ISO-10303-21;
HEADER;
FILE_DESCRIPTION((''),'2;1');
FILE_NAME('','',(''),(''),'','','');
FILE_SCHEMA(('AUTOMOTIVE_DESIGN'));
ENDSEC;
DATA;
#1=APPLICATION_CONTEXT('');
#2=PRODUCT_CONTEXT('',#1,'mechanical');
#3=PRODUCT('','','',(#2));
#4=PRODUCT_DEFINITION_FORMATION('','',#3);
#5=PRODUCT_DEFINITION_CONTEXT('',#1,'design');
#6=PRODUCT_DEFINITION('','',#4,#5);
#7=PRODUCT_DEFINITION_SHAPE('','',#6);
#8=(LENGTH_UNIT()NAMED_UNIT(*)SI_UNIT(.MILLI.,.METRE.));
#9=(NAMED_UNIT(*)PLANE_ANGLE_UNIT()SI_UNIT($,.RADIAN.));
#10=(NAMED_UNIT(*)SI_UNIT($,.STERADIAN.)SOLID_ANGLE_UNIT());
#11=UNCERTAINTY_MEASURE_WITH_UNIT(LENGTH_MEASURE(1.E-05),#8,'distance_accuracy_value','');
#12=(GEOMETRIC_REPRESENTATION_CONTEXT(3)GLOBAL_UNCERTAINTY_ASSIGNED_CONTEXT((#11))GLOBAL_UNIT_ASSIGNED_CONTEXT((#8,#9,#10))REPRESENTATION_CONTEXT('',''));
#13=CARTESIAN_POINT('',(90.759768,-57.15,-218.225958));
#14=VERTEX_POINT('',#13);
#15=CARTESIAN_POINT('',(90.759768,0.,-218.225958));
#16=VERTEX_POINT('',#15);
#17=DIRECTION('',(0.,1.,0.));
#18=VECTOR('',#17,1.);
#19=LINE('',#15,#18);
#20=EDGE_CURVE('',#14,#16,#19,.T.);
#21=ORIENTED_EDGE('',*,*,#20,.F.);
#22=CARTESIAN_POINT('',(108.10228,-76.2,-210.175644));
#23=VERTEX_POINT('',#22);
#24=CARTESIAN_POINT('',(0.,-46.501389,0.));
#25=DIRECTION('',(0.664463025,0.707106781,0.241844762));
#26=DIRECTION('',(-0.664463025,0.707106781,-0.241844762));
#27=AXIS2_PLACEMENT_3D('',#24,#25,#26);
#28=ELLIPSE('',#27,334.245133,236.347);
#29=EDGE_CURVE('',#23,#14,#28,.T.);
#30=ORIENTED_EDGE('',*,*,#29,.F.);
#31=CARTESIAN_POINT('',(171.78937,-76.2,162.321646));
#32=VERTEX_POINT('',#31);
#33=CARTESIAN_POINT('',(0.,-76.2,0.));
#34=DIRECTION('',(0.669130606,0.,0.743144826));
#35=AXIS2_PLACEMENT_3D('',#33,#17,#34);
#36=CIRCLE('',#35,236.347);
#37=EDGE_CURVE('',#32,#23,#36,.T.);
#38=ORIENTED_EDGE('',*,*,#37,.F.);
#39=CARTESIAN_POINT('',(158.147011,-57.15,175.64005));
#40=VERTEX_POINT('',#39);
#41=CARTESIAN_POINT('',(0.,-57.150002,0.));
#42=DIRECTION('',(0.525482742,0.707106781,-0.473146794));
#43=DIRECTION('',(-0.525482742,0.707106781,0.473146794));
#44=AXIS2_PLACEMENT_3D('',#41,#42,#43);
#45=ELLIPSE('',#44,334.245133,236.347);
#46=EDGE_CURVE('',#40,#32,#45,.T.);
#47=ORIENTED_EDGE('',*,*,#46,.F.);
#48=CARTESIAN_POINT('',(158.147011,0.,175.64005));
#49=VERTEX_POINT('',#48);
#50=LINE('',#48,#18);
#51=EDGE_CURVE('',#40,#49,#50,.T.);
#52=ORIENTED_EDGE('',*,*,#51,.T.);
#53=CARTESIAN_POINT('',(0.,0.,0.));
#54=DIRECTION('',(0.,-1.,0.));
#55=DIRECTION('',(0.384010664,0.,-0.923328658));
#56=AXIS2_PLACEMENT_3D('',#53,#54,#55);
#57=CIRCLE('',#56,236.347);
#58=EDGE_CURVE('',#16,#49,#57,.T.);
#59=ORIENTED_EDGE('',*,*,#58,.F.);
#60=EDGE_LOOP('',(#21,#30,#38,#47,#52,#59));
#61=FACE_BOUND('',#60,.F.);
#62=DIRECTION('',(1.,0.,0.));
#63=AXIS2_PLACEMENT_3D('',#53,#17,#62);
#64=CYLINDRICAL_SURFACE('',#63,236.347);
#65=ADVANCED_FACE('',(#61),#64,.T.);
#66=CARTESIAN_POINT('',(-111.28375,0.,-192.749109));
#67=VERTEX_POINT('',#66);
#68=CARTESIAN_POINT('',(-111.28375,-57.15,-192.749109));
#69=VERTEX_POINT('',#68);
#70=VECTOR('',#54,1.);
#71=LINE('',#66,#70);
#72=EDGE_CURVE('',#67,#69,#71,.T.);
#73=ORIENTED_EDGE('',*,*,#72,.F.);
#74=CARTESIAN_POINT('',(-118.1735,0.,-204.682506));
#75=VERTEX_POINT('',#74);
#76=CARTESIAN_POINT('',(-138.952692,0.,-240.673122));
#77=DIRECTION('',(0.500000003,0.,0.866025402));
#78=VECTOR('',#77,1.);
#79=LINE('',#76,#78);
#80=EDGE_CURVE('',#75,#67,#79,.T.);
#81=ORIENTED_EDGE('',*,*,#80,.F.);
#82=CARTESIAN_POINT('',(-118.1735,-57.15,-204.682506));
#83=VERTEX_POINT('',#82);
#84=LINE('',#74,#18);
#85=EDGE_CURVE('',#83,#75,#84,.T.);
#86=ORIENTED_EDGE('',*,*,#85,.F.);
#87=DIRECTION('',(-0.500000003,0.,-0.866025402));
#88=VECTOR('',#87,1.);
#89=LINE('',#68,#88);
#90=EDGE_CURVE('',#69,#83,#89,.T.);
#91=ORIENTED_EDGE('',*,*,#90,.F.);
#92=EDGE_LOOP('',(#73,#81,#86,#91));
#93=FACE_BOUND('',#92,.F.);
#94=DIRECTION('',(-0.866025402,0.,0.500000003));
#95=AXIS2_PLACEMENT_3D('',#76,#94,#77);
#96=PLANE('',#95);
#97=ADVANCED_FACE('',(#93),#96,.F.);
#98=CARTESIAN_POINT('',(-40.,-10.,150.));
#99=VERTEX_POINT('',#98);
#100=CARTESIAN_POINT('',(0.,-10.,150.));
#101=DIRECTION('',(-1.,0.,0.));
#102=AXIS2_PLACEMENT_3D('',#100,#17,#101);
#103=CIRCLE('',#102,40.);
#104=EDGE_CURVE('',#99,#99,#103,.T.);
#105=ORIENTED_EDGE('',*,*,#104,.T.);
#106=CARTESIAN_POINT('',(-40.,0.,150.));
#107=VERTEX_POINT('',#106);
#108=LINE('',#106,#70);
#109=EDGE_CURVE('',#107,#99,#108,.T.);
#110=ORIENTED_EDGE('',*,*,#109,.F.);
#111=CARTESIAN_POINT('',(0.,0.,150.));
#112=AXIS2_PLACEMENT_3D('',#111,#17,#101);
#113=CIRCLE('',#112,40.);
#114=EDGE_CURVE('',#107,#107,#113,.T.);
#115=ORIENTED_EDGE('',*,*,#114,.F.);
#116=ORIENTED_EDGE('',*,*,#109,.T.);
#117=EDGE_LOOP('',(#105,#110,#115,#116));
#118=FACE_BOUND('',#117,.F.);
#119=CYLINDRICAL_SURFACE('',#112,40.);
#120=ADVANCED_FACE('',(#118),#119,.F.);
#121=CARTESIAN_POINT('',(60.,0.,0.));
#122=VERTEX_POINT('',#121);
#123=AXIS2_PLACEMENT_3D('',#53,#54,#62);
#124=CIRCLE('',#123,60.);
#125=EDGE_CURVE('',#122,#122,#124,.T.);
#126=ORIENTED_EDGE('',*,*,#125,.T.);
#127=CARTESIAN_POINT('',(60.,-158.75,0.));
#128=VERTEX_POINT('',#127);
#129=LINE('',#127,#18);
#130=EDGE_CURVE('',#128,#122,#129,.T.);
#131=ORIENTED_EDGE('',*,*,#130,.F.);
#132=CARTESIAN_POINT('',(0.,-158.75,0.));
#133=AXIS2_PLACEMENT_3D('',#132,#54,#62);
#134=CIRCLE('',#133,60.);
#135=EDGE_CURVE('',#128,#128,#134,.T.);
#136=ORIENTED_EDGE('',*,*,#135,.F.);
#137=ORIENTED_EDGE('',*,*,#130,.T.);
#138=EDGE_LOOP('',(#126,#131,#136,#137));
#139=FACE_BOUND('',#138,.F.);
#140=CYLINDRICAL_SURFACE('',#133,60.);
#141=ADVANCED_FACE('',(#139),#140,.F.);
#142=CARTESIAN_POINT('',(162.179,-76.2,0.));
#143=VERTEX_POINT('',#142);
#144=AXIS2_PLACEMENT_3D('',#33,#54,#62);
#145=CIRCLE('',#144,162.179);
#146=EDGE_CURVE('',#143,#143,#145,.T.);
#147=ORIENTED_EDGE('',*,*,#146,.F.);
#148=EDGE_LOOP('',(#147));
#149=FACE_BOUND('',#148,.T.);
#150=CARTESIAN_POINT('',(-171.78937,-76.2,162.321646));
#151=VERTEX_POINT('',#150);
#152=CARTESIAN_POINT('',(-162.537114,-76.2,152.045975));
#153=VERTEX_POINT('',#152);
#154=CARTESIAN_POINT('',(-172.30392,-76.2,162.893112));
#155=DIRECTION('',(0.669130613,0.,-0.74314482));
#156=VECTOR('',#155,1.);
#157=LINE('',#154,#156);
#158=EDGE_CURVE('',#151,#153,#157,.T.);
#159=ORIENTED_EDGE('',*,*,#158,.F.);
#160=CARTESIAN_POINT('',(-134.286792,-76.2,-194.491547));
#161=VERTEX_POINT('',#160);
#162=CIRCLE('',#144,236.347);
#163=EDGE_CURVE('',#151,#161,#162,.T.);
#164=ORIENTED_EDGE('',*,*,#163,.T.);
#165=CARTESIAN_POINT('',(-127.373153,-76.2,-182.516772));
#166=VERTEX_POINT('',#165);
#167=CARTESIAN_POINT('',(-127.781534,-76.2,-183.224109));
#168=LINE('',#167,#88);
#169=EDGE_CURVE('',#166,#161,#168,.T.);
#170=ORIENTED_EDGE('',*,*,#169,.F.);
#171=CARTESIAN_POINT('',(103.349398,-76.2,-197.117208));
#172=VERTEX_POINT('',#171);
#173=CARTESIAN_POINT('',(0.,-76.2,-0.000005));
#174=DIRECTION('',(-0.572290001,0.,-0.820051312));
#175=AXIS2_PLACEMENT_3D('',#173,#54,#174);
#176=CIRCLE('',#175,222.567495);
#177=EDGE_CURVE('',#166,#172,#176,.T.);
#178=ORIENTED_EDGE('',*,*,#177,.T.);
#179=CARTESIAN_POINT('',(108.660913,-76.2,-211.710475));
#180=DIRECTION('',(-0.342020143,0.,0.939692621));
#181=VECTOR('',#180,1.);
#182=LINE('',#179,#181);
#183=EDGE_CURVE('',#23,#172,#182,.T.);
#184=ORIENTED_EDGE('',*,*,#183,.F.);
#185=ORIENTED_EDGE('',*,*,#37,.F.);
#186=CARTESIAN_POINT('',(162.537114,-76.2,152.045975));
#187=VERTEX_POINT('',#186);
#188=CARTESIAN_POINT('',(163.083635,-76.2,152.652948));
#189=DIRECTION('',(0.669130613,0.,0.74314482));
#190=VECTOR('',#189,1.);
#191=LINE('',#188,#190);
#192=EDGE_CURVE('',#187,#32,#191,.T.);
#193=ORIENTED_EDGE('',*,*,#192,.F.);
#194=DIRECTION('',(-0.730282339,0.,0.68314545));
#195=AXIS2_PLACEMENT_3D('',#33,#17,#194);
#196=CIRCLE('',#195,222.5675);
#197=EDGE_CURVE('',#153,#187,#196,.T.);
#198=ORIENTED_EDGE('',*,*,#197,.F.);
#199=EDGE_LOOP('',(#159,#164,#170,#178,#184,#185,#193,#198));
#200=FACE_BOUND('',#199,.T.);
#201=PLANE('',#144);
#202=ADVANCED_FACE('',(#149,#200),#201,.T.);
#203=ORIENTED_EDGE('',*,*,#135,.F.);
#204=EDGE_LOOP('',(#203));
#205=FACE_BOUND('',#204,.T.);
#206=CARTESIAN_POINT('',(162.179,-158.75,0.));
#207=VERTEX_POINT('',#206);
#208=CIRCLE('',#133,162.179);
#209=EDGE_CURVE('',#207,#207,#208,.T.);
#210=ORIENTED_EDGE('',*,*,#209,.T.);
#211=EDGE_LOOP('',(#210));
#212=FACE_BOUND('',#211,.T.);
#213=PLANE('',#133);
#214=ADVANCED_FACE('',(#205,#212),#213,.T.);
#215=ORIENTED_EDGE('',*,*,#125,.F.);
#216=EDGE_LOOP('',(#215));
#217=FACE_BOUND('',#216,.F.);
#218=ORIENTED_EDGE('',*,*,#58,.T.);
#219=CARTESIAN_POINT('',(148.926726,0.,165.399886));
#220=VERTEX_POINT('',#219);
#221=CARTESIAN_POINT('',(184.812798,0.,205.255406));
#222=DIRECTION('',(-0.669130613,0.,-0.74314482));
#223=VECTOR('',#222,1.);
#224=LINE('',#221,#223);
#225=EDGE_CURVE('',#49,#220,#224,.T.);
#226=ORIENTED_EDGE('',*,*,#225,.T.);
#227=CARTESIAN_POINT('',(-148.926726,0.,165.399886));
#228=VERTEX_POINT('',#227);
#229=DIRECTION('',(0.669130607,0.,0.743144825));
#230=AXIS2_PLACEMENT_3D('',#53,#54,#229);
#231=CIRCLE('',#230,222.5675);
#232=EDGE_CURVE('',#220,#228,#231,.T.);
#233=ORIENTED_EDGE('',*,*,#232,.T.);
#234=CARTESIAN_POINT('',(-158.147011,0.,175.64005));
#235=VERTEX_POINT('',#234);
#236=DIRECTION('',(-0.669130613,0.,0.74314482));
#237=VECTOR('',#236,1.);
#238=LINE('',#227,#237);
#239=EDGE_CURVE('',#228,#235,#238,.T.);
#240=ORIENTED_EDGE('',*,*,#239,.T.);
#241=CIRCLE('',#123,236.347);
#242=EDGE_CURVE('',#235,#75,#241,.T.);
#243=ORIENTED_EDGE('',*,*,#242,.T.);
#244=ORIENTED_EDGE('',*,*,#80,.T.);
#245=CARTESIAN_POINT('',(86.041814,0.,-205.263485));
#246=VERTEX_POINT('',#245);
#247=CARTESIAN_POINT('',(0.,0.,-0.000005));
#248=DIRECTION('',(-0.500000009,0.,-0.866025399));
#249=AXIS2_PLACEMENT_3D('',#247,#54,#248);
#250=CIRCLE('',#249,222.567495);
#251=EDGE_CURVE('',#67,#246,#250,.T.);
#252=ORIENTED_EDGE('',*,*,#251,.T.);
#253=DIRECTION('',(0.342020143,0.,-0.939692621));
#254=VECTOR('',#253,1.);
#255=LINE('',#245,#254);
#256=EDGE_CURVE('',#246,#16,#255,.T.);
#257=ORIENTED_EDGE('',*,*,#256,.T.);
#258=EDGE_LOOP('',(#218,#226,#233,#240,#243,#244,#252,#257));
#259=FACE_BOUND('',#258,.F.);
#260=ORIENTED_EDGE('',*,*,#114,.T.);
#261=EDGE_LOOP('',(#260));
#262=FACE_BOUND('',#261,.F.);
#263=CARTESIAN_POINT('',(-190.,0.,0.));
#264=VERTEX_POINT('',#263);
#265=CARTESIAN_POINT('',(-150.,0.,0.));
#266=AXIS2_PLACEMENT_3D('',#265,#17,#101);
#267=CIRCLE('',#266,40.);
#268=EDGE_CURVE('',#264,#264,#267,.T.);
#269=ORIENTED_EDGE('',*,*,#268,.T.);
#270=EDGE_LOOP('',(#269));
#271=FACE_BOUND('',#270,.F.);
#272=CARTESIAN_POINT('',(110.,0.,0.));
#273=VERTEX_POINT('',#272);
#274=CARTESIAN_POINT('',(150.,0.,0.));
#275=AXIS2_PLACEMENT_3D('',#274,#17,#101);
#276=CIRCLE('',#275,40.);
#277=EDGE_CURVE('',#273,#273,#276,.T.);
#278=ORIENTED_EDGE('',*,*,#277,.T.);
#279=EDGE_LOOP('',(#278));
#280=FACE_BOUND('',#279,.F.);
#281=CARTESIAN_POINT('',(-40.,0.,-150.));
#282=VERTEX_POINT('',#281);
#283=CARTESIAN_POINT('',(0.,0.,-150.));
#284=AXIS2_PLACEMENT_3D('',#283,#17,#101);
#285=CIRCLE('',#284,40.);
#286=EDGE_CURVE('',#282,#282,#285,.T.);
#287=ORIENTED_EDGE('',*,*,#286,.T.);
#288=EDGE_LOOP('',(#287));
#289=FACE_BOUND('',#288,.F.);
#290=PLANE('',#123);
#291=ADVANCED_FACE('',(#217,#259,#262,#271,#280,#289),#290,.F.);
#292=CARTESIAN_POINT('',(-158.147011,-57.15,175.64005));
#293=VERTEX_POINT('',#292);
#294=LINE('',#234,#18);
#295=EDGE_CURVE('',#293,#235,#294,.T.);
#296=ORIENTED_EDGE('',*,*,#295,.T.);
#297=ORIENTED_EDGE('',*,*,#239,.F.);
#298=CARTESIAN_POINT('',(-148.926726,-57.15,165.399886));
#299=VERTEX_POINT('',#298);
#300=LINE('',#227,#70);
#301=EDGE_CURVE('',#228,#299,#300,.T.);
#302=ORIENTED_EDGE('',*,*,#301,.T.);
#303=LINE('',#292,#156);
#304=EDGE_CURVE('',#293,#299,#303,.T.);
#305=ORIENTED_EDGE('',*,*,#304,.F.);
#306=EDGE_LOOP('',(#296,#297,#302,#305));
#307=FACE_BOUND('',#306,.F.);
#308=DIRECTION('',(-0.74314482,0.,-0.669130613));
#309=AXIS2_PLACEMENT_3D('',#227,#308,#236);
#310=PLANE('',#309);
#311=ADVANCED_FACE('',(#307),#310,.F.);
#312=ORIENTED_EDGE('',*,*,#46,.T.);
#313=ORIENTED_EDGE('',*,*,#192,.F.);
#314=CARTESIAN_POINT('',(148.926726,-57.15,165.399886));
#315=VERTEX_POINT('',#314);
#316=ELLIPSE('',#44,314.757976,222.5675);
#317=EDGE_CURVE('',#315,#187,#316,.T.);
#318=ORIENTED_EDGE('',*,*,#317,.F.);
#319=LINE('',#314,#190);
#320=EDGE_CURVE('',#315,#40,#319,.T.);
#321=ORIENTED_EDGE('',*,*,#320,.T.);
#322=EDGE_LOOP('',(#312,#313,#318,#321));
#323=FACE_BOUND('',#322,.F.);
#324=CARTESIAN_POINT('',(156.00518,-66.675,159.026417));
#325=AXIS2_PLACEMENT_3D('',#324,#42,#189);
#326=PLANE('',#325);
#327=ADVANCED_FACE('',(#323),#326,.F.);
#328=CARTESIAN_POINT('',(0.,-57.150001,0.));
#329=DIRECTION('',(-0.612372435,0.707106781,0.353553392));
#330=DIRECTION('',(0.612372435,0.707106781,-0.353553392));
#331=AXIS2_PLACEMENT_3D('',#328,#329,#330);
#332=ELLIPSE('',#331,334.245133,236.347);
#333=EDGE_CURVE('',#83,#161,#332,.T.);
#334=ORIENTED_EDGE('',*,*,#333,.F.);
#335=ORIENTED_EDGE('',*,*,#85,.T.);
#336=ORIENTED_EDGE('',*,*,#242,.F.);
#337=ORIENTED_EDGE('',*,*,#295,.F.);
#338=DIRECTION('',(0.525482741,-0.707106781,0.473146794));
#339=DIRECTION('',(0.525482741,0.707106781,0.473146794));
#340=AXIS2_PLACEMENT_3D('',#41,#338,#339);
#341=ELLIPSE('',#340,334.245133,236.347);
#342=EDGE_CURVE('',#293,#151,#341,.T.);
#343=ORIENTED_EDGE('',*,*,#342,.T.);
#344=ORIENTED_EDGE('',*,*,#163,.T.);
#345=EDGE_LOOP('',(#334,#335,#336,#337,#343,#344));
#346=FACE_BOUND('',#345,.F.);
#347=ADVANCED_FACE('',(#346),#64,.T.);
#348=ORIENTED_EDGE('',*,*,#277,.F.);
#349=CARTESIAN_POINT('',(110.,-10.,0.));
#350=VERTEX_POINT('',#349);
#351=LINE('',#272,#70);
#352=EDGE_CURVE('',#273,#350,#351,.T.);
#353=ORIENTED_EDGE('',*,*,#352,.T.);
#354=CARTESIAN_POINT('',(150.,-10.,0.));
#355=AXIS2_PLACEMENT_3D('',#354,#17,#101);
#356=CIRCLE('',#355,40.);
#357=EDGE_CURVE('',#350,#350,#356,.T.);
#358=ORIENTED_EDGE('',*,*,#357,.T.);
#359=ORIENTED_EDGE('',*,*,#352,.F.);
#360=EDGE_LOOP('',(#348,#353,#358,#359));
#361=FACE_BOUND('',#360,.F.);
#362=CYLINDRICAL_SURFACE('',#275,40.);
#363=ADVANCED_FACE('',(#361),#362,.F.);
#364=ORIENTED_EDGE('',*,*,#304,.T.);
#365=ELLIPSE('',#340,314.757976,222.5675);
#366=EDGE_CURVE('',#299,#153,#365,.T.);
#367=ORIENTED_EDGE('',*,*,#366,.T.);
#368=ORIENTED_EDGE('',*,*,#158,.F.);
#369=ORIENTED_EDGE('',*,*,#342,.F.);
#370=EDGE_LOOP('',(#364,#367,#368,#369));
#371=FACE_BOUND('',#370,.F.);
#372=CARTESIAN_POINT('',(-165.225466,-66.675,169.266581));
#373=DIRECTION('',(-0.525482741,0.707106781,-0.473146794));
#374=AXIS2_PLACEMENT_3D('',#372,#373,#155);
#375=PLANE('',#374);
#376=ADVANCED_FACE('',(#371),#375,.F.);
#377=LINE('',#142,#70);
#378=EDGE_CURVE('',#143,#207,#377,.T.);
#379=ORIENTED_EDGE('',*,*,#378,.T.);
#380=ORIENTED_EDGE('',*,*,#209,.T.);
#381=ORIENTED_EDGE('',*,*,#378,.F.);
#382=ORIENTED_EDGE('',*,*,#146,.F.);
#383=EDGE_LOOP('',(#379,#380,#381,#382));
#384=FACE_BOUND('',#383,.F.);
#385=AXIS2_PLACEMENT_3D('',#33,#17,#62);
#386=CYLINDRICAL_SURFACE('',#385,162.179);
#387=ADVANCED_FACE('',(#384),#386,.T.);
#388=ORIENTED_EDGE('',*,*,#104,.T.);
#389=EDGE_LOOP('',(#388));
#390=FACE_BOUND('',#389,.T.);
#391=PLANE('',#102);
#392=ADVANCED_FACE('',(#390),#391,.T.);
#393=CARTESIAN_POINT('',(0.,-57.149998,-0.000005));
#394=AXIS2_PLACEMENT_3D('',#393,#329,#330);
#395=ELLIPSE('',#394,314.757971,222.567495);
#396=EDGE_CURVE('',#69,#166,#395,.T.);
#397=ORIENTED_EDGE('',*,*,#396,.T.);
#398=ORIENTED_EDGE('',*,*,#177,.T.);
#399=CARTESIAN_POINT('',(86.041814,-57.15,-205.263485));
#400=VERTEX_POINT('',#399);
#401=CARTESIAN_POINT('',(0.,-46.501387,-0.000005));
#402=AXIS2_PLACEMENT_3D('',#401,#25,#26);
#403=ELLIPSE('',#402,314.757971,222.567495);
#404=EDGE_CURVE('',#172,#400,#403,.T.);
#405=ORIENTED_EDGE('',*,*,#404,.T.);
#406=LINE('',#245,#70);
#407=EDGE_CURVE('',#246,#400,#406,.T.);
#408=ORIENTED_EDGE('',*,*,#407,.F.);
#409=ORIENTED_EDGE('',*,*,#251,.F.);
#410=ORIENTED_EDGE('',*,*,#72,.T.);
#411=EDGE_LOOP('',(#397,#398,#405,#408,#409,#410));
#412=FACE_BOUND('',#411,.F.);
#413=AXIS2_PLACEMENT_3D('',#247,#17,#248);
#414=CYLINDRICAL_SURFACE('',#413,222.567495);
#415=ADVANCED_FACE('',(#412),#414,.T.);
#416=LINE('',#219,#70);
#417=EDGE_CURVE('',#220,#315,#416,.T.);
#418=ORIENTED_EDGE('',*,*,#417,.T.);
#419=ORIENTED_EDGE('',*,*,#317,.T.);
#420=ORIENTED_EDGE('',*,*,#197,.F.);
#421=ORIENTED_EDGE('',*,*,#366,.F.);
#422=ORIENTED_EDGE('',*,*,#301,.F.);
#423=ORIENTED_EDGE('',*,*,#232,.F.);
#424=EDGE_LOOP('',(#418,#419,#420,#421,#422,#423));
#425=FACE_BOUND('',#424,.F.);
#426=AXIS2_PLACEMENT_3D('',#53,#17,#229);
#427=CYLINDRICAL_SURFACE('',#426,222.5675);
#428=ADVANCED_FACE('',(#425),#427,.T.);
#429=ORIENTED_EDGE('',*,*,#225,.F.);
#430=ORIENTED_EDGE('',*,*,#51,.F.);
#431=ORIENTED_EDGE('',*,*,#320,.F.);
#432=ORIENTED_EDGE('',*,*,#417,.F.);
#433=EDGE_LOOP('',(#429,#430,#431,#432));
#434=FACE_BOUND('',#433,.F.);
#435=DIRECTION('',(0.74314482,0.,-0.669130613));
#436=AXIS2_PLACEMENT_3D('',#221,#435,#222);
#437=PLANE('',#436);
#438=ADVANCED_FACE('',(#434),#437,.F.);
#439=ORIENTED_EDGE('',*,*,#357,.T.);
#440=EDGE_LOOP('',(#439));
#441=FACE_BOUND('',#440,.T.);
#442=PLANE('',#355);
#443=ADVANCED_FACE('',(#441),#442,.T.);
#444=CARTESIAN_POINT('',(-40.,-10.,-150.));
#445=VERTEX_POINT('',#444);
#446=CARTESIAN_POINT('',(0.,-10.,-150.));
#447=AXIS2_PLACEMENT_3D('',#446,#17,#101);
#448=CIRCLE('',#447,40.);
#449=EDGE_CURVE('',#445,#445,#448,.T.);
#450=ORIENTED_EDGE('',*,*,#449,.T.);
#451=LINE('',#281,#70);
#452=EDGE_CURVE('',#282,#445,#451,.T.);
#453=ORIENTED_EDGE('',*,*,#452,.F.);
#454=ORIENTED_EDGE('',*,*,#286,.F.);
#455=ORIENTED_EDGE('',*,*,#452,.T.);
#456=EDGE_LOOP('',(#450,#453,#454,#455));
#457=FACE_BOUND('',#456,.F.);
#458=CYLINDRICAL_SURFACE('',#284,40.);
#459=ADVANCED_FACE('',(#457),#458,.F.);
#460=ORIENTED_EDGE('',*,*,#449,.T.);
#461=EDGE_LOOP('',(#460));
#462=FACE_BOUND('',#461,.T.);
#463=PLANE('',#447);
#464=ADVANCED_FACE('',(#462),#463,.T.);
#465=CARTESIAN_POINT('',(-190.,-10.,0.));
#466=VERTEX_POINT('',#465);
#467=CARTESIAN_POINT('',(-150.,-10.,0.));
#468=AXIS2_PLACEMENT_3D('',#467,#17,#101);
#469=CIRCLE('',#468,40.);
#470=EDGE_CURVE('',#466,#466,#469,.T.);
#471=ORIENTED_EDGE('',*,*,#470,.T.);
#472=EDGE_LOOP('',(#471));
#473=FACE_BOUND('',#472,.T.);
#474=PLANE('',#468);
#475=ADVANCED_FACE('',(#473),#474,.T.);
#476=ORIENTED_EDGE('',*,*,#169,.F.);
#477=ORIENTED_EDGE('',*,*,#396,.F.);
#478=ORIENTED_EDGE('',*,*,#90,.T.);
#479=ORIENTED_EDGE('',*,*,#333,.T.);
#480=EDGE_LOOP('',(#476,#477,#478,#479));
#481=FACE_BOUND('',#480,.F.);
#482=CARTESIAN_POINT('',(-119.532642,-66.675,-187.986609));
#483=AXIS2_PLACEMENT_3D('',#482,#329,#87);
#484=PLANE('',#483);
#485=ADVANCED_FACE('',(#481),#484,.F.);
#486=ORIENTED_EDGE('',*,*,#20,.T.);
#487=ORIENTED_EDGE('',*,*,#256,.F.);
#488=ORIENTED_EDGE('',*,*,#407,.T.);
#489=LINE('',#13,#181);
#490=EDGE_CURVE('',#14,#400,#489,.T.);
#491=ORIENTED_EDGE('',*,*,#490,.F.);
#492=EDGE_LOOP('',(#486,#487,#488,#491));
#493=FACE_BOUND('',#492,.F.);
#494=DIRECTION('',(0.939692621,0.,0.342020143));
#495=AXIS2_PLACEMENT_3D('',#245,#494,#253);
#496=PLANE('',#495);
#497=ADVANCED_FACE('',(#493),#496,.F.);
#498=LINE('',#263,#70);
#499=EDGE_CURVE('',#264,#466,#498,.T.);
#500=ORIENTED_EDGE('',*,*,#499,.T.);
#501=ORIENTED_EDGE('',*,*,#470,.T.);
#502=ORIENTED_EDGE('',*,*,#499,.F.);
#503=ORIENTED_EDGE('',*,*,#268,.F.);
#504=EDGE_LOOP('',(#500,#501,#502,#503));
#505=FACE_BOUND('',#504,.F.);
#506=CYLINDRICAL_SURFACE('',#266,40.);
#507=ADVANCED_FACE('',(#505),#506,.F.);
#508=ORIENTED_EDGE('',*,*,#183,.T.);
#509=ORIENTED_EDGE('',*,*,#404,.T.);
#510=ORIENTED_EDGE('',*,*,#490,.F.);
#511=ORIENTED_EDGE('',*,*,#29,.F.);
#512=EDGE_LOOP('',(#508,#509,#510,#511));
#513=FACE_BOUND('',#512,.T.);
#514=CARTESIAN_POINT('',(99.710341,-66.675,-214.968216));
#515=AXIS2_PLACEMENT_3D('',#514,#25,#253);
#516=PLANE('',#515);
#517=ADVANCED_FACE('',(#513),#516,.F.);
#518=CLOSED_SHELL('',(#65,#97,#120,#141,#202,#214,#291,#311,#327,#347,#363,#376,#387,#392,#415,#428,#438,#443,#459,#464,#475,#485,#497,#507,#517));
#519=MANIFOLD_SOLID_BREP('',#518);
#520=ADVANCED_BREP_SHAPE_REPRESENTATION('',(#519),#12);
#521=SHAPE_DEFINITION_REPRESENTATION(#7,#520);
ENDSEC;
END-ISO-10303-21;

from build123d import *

# Parameters (mm, degrees)
F0_R      = 236.347
F1_DEPTH  = 76.2
F2_R      = 162.179
F3_DEPTH  = 82.55
F5_DEPTH  = 139.7
F6_SIZE   = 19.05
F7_SIZE   = 19.05
F8_SIZE   = 19.05
F9_SIZE   = 19.05
F10_R     = 40
F11_DEPTH = 10
F12_R     = 60
F13_DEPTH = 550


with BuildPart() as f1:
    # F0 (on Front) → F1 (new body)
    with BuildSketch(Plane.XZ):
        Circle(F0_R)
    extrude(amount=F1_DEPTH)

    # F2 (on face) → F3 (join)
    with BuildSketch(Plane.XZ.offset(76.2)):
        Circle(F2_R)
    extrude(amount=F3_DEPTH)

    # F4 (on face) → F5 (cut)
    with BuildSketch(Plane(origin=(0, 0, 0), x_dir=(-1, 0, 0), z_dir=(0, 1, 0))):
        with BuildLine():
            Line((-184.812798, 205.255406), (-148.926726, 165.399886))
            ThreePointArc((-148.926726, 165.399886), (0, 222.5675), (148.926726, 165.399886))
            Line((148.926726, 165.399886), (183.385925, 203.670703))
            Line((183.385925, 203.670703), (0, 288.642466))
            Line((0, 288.642466), (-184.812798, 205.255406))
        make_face()
        with BuildLine():
            Line((138.952692, -240.673122), (111.28375, -192.749109))
            ThreePointArc((111.28375, -192.749109), (14.086917, -222.121253), (-86.041814, -205.263485))
            Line((-86.041814, -205.263485), (-123.598595, -308.449893))
            Line((-123.598595, -308.449893), (23.055677, -307.586295))
            Line((23.055677, -307.586295), (138.952692, -240.673122))
        make_face()
    extrude(amount=-F5_DEPTH, mode=Mode.SUBTRACT)

    # F6
    f6_edges = [f1.edges().sort_by_distance(p)[0] for p in [
        (88.400791, -76.2, -211.744722),
    ]]
    chamfer(f6_edges, length=F6_SIZE)

    # F7
    f7_edges = [f1.edges().sort_by_distance(p)[0] for p in [
        (-114.728625, -76.2, -198.715808),
    ]]
    chamfer(f7_edges, length=F7_SIZE)

    # F8
    f8_edges = [f1.edges().sort_by_distance(p)[0] for p in [
        (153.536869, -76.2, 170.519968),
    ]]
    chamfer(f8_edges, length=F8_SIZE)

    # F9
    f9_edges = [f1.edges().sort_by_distance(p)[0] for p in [
        (-153.536869, -76.2, 170.519968),
    ]]
    chamfer(f9_edges, length=F9_SIZE)

    # F10 (on face) → F11 (cut)
    with BuildSketch(Plane(origin=(0, 0, 0), x_dir=(-1, 0, 0), z_dir=(0, 1, 0))):
        with Locations((0, 150)):
            Circle(F10_R)
        with Locations((-150, 0)):
            Circle(F10_R)
        with Locations((0, -150)):
            Circle(F10_R)
        with Locations((150, 0)):
            Circle(F10_R)
    extrude(amount=-F11_DEPTH, mode=Mode.SUBTRACT)

    # F12 (on face) → F13 (cut)
    with BuildSketch(Plane.XZ.offset(158.75)):
        Circle(F12_R)
    extrude(amount=-F13_DEPTH, mode=Mode.SUBTRACT)


solid = f1.part
